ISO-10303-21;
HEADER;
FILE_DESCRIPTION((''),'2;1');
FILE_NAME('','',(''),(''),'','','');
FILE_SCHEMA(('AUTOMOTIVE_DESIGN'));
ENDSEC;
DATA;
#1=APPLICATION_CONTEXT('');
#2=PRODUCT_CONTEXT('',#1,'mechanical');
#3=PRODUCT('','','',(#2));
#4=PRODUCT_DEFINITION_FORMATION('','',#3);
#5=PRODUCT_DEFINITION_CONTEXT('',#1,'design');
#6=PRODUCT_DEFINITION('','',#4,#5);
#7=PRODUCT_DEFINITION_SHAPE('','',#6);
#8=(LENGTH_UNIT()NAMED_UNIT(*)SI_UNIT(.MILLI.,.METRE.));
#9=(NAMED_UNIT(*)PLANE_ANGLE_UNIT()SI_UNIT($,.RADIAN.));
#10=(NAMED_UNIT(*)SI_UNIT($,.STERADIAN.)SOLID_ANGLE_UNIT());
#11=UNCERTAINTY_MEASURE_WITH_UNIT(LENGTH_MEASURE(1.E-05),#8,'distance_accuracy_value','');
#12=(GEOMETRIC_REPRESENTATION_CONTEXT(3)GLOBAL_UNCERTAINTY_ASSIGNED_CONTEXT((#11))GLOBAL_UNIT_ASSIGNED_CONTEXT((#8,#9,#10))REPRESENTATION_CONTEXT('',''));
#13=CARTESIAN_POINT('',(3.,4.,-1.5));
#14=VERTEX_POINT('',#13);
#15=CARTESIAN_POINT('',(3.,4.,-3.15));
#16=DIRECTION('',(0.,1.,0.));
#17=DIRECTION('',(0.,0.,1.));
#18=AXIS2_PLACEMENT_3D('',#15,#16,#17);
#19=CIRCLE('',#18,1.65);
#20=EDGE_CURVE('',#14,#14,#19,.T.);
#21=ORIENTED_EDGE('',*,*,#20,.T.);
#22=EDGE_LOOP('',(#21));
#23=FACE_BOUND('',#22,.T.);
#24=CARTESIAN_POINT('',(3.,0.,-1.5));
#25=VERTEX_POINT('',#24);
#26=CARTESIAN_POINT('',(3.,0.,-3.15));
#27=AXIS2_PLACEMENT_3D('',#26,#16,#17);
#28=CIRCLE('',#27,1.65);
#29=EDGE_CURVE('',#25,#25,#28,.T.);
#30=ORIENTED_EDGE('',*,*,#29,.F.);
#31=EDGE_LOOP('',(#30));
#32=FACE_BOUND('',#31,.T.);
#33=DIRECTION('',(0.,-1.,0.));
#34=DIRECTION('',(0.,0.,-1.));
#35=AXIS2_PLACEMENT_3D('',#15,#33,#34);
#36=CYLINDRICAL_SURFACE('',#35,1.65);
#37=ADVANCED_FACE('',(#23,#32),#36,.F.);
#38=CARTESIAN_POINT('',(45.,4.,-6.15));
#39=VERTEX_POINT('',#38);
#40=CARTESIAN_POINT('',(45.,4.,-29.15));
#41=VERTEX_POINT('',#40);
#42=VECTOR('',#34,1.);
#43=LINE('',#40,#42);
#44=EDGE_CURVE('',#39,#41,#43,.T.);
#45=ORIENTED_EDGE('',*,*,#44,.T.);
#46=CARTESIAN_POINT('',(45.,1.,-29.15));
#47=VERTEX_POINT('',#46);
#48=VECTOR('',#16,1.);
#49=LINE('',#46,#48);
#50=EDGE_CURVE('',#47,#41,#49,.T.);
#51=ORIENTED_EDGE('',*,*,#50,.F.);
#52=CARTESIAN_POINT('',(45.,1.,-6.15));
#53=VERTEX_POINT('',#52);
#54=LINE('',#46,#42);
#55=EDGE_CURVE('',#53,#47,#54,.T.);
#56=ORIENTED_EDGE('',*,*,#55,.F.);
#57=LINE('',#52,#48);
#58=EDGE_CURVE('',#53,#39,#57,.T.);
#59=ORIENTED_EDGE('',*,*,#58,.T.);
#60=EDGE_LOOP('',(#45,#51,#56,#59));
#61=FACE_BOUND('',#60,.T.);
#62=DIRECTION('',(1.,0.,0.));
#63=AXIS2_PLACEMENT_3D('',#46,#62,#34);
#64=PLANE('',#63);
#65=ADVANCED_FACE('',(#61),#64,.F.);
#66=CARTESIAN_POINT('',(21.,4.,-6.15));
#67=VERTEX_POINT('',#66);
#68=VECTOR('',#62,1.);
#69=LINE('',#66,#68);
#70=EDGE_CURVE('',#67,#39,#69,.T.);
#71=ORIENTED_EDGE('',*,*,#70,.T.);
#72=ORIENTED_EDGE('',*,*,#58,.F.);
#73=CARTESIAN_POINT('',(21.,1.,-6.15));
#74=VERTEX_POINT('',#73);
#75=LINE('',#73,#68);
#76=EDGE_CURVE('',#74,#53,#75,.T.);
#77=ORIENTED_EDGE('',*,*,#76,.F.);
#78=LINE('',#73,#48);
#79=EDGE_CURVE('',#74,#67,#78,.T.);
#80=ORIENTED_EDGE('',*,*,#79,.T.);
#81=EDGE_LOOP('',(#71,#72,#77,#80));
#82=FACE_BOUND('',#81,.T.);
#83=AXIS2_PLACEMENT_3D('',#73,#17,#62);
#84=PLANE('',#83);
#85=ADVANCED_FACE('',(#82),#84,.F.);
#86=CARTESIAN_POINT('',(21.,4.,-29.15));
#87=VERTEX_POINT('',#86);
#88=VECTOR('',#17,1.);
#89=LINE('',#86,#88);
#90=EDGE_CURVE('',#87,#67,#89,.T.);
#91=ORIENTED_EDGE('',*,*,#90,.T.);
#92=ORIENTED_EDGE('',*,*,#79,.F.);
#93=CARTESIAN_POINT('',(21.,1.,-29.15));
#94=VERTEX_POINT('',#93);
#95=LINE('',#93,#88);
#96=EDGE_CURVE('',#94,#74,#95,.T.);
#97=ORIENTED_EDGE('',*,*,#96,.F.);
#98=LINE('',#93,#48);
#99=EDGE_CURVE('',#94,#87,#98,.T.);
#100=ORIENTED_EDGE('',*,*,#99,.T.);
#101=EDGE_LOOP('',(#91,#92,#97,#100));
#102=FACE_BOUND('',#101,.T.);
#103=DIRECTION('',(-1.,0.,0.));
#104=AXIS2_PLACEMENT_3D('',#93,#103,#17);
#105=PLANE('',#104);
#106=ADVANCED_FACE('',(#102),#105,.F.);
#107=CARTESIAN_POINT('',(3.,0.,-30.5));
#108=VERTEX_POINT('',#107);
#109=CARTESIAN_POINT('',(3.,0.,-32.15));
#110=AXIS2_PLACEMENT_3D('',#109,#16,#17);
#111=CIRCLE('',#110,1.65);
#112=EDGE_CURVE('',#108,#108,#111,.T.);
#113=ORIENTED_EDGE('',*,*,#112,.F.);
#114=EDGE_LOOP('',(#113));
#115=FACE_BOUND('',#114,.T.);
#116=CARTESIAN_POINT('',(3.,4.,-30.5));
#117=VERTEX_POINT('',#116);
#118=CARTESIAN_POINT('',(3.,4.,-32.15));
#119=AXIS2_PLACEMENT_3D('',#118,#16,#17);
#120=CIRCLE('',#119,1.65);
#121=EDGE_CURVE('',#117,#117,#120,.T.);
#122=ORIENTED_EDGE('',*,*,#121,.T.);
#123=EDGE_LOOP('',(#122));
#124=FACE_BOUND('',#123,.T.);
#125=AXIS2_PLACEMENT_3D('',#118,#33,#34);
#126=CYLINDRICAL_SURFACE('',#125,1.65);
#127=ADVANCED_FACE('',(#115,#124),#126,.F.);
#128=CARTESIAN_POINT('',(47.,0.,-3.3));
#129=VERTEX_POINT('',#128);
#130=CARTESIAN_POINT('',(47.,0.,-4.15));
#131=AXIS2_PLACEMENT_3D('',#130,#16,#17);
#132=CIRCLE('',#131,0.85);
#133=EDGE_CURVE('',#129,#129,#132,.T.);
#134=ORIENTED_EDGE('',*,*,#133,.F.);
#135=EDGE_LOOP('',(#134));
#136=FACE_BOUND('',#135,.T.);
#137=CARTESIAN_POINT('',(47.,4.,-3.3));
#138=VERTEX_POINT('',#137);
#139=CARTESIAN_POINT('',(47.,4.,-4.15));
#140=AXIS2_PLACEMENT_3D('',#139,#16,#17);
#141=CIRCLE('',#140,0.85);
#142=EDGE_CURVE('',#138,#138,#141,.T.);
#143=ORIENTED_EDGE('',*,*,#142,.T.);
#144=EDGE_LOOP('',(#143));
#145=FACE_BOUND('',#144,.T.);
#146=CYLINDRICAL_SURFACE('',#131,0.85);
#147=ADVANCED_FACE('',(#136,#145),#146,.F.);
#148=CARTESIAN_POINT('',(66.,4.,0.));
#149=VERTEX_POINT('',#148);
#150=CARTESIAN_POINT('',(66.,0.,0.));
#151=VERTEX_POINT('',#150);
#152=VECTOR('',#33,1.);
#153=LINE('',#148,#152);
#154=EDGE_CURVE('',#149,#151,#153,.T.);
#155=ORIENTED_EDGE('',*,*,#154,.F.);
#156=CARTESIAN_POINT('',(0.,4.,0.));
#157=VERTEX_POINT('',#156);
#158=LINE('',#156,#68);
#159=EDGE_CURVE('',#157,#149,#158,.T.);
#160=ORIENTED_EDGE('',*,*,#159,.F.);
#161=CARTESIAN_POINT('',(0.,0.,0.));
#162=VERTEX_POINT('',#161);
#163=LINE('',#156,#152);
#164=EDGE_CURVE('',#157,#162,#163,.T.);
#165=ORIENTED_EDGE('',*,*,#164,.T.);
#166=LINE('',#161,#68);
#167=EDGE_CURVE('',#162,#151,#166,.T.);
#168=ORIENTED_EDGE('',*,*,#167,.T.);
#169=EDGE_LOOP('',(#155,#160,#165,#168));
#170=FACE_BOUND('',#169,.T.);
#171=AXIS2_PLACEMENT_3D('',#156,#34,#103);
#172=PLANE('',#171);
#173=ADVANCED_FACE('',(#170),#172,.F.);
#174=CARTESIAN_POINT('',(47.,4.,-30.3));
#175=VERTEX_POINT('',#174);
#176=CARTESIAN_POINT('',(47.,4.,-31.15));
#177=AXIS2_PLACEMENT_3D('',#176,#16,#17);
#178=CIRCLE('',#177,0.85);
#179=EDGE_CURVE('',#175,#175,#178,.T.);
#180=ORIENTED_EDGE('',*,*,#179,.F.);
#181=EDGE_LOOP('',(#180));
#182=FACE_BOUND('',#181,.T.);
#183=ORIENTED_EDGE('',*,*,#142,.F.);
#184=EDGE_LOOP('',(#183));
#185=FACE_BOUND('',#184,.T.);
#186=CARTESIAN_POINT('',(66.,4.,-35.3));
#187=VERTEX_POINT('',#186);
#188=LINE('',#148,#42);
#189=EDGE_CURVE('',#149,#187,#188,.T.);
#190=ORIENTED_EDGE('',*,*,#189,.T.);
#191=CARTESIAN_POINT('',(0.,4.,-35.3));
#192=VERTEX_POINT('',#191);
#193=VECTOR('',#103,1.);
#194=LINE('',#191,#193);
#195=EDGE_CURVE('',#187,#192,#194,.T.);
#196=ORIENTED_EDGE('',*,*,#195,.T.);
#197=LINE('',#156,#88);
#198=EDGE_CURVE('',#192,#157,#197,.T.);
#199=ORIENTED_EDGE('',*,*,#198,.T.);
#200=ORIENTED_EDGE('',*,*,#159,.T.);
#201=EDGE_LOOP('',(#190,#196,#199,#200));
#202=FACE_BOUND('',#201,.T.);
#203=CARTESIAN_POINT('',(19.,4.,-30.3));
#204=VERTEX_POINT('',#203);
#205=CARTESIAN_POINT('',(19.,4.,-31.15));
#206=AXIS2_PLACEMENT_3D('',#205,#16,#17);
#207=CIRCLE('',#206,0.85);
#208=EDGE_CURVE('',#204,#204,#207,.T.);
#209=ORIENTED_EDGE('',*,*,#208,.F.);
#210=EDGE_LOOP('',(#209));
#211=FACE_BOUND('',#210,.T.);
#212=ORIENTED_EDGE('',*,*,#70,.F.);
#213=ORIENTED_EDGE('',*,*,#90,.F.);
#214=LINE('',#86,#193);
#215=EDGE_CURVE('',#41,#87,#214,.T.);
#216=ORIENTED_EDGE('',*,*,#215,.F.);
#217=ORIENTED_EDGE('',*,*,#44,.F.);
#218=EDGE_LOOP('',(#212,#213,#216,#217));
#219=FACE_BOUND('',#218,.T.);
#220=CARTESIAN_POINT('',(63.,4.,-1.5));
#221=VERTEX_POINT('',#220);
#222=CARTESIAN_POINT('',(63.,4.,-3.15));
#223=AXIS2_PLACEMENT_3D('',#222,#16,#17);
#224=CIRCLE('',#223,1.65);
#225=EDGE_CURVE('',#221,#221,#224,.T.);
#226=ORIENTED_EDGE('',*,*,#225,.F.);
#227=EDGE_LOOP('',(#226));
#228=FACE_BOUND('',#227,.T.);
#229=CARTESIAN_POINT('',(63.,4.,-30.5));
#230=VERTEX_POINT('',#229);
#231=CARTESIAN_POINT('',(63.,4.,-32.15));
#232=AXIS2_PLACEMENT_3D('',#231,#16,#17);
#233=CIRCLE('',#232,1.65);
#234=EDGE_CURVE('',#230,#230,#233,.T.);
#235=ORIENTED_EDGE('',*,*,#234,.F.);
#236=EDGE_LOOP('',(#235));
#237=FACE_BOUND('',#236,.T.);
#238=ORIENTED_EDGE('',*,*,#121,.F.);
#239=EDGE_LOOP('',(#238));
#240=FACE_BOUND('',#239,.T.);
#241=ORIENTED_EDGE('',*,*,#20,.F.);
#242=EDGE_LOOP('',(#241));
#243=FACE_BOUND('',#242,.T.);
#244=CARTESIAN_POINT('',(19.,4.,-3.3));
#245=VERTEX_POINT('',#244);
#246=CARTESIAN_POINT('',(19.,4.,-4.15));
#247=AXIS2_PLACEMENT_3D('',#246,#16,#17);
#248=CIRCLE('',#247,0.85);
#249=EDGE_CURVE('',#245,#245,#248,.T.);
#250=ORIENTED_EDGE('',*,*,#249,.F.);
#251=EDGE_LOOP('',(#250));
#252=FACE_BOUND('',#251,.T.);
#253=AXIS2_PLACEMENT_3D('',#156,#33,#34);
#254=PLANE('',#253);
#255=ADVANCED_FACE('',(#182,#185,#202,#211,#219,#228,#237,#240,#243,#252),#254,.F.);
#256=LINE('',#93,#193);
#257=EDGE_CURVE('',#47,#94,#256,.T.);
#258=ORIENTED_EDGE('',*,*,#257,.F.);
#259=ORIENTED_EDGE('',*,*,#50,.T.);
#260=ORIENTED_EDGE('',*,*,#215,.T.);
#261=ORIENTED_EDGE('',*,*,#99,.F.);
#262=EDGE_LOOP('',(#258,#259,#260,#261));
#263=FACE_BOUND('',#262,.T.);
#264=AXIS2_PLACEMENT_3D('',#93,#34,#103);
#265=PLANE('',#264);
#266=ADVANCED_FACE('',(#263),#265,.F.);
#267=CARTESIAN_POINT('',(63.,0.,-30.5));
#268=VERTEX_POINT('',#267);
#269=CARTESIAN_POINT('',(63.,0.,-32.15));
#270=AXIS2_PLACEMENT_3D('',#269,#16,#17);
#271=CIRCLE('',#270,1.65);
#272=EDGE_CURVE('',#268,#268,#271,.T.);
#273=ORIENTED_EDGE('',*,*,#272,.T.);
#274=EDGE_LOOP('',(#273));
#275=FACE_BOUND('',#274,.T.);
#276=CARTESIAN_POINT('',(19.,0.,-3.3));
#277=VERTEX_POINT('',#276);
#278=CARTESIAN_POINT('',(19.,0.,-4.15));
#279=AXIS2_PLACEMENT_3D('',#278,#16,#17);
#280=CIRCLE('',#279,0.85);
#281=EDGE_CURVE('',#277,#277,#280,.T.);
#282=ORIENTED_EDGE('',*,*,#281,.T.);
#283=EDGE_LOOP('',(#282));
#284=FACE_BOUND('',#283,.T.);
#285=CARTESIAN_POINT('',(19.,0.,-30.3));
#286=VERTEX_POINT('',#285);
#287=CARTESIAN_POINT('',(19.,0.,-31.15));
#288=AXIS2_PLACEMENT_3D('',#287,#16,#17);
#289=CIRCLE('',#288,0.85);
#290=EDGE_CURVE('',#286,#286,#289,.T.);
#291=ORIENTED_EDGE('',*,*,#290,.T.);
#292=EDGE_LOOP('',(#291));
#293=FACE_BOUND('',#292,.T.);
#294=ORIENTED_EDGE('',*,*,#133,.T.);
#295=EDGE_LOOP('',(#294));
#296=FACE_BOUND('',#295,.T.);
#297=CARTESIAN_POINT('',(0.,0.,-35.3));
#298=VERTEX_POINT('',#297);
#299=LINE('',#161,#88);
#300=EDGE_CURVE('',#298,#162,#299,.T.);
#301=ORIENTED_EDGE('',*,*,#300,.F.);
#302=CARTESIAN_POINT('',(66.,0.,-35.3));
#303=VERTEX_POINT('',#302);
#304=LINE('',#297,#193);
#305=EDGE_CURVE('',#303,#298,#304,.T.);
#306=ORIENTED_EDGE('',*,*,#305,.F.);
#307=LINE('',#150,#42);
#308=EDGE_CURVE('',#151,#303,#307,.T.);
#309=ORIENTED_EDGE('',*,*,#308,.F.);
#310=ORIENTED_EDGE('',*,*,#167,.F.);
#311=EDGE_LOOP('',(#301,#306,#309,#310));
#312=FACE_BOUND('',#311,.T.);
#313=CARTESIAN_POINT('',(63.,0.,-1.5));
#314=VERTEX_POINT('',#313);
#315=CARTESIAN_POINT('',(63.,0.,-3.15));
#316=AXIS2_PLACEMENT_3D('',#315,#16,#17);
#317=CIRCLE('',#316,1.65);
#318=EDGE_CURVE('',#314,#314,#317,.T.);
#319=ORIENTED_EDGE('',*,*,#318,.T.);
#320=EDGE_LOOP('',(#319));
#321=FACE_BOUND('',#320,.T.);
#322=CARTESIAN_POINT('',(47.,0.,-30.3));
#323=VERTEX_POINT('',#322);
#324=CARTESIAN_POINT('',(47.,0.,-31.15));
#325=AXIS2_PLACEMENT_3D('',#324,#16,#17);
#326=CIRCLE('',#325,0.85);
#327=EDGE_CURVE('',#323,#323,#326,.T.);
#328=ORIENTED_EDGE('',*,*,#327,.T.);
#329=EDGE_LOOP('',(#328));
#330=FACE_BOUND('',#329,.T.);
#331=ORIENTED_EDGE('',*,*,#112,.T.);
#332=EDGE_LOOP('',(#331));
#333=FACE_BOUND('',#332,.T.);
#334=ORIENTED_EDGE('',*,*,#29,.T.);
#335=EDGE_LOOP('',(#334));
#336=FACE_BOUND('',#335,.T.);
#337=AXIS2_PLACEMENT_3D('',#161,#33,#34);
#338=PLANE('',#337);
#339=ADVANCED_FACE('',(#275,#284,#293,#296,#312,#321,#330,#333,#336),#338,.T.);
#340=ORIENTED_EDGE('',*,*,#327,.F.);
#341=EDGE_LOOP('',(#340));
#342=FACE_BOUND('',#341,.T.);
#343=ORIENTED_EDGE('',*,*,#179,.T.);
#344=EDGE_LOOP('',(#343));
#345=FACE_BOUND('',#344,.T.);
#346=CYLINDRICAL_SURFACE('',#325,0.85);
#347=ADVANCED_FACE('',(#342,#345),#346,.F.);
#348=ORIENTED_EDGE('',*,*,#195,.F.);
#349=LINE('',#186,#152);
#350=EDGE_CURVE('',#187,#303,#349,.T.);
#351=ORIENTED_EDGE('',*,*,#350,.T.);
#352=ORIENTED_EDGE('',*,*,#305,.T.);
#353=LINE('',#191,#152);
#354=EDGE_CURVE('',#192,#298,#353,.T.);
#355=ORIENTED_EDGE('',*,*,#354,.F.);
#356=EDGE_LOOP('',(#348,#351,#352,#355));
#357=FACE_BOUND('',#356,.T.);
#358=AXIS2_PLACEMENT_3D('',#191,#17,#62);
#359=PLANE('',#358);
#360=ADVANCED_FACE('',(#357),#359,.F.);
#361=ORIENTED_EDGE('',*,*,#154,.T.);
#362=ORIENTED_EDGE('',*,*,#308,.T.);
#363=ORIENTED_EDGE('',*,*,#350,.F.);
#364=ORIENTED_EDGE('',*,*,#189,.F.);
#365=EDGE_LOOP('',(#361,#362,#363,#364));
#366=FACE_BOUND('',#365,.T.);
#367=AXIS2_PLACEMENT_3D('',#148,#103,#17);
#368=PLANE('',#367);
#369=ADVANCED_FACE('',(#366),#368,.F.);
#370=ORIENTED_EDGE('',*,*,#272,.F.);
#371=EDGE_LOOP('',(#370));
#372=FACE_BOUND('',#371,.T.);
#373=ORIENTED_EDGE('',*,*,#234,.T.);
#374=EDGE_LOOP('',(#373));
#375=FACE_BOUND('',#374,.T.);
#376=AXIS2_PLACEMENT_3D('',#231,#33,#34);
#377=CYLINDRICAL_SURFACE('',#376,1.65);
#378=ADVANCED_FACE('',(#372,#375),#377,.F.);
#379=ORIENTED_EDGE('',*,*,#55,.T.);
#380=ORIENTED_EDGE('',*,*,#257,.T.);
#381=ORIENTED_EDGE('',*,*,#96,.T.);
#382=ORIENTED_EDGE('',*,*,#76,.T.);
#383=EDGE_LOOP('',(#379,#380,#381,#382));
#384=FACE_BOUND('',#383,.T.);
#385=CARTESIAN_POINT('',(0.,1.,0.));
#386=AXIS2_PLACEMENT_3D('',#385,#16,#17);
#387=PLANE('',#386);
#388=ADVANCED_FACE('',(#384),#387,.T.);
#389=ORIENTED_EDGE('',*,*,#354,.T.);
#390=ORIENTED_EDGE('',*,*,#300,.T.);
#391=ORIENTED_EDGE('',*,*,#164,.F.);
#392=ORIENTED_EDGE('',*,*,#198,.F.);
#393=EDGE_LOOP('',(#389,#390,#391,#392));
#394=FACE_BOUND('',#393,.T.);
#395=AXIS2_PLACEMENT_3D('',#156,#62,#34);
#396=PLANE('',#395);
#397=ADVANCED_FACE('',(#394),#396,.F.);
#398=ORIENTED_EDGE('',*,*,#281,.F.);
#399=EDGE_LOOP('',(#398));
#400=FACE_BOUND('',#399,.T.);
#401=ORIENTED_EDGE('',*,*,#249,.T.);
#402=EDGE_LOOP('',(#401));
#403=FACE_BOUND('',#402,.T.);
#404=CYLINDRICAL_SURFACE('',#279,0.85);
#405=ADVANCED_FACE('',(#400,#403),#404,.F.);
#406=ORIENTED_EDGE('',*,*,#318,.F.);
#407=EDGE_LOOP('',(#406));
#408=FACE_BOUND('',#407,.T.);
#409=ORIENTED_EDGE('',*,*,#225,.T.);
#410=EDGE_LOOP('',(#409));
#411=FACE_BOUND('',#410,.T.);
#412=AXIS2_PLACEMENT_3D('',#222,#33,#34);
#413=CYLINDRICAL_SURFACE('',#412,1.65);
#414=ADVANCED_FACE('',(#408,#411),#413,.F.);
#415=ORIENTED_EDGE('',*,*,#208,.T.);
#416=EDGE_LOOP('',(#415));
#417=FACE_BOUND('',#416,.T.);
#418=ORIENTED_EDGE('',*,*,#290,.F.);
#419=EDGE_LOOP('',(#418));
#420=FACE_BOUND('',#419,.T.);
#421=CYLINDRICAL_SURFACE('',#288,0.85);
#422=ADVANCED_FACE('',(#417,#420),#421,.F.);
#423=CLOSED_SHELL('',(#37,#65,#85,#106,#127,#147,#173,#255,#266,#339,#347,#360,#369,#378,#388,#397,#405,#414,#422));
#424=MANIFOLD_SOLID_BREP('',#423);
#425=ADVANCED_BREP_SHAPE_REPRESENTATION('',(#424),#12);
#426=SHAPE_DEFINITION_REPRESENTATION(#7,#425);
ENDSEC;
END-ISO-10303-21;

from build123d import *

# Parameters (mm, degrees)
SKETCH1_W           = 66
SKETCH1_H           = 35.3
SKETCH1_R           = 1.65
BOSS_EXTRUDE1_DEPTH = 4
SKETCH2_R           = 0.85
CUT_EXTRUDE1_DEPTH  = 4
SKETCH3_W           = 24
SKETCH3_H           = 23
CUT_EXTRUDE2_DEPTH  = 3


with BuildPart() as part:
    # Sketch1 → Boss-Extrude1 (new body)
    with BuildSketch(Plane(origin=(0, 0, 0), x_dir=(1, 0, 0), z_dir=(0, 1, 0))):
        with Locations((33, 17.65)):
            Rectangle(SKETCH1_W, SKETCH1_H)
        with Locations(Location((3, 32.15, 0), (0, 0, 270))):
            Circle(SKETCH1_R, mode=Mode.SUBTRACT)
        with Locations(Location((3, 3.15, 0), (0, 0, 270))):
            Circle(SKETCH1_R, mode=Mode.SUBTRACT)
        with Locations(Location((63, 3.15, 0), (0, 0, 270))):
            Circle(SKETCH1_R, mode=Mode.SUBTRACT)
        with Locations(Location((63, 32.15, 0), (0, 0, 270))):
            Circle(SKETCH1_R, mode=Mode.SUBTRACT)
    extrude(amount=BOSS_EXTRUDE1_DEPTH)

    # Sketch2 → Cut-Extrude1 (cut)
    with BuildSketch(Plane(origin=(0, 4, 0), x_dir=(1, 0, 0), z_dir=(0, 1, 0))):
        with Locations(Location((19, 31.15, 0), (0, 0, 270))):
            Circle(SKETCH2_R)
        with Locations(Location((47, 31.15, 0), (0, 0, 270))):
            Circle(SKETCH2_R)
        with Locations(Location((47, 4.15, 0), (0, 0, 270))):
            Circle(SKETCH2_R)
        with Locations(Location((19, 4.15, 0), (0, 0, 270))):
            Circle(SKETCH2_R)
    extrude(amount=-CUT_EXTRUDE1_DEPTH, mode=Mode.SUBTRACT)

    # Sketch3 → Cut-Extrude2 (cut)
    with BuildSketch(Plane(origin=(0, 4, 0), x_dir=(1, 0, 0), z_dir=(0, 1, 0))):
        with Locations((33, 17.65)):
            Rectangle(SKETCH3_W, SKETCH3_H)
    extrude(amount=-CUT_EXTRUDE2_DEPTH, mode=Mode.SUBTRACT)


solid = part.part
